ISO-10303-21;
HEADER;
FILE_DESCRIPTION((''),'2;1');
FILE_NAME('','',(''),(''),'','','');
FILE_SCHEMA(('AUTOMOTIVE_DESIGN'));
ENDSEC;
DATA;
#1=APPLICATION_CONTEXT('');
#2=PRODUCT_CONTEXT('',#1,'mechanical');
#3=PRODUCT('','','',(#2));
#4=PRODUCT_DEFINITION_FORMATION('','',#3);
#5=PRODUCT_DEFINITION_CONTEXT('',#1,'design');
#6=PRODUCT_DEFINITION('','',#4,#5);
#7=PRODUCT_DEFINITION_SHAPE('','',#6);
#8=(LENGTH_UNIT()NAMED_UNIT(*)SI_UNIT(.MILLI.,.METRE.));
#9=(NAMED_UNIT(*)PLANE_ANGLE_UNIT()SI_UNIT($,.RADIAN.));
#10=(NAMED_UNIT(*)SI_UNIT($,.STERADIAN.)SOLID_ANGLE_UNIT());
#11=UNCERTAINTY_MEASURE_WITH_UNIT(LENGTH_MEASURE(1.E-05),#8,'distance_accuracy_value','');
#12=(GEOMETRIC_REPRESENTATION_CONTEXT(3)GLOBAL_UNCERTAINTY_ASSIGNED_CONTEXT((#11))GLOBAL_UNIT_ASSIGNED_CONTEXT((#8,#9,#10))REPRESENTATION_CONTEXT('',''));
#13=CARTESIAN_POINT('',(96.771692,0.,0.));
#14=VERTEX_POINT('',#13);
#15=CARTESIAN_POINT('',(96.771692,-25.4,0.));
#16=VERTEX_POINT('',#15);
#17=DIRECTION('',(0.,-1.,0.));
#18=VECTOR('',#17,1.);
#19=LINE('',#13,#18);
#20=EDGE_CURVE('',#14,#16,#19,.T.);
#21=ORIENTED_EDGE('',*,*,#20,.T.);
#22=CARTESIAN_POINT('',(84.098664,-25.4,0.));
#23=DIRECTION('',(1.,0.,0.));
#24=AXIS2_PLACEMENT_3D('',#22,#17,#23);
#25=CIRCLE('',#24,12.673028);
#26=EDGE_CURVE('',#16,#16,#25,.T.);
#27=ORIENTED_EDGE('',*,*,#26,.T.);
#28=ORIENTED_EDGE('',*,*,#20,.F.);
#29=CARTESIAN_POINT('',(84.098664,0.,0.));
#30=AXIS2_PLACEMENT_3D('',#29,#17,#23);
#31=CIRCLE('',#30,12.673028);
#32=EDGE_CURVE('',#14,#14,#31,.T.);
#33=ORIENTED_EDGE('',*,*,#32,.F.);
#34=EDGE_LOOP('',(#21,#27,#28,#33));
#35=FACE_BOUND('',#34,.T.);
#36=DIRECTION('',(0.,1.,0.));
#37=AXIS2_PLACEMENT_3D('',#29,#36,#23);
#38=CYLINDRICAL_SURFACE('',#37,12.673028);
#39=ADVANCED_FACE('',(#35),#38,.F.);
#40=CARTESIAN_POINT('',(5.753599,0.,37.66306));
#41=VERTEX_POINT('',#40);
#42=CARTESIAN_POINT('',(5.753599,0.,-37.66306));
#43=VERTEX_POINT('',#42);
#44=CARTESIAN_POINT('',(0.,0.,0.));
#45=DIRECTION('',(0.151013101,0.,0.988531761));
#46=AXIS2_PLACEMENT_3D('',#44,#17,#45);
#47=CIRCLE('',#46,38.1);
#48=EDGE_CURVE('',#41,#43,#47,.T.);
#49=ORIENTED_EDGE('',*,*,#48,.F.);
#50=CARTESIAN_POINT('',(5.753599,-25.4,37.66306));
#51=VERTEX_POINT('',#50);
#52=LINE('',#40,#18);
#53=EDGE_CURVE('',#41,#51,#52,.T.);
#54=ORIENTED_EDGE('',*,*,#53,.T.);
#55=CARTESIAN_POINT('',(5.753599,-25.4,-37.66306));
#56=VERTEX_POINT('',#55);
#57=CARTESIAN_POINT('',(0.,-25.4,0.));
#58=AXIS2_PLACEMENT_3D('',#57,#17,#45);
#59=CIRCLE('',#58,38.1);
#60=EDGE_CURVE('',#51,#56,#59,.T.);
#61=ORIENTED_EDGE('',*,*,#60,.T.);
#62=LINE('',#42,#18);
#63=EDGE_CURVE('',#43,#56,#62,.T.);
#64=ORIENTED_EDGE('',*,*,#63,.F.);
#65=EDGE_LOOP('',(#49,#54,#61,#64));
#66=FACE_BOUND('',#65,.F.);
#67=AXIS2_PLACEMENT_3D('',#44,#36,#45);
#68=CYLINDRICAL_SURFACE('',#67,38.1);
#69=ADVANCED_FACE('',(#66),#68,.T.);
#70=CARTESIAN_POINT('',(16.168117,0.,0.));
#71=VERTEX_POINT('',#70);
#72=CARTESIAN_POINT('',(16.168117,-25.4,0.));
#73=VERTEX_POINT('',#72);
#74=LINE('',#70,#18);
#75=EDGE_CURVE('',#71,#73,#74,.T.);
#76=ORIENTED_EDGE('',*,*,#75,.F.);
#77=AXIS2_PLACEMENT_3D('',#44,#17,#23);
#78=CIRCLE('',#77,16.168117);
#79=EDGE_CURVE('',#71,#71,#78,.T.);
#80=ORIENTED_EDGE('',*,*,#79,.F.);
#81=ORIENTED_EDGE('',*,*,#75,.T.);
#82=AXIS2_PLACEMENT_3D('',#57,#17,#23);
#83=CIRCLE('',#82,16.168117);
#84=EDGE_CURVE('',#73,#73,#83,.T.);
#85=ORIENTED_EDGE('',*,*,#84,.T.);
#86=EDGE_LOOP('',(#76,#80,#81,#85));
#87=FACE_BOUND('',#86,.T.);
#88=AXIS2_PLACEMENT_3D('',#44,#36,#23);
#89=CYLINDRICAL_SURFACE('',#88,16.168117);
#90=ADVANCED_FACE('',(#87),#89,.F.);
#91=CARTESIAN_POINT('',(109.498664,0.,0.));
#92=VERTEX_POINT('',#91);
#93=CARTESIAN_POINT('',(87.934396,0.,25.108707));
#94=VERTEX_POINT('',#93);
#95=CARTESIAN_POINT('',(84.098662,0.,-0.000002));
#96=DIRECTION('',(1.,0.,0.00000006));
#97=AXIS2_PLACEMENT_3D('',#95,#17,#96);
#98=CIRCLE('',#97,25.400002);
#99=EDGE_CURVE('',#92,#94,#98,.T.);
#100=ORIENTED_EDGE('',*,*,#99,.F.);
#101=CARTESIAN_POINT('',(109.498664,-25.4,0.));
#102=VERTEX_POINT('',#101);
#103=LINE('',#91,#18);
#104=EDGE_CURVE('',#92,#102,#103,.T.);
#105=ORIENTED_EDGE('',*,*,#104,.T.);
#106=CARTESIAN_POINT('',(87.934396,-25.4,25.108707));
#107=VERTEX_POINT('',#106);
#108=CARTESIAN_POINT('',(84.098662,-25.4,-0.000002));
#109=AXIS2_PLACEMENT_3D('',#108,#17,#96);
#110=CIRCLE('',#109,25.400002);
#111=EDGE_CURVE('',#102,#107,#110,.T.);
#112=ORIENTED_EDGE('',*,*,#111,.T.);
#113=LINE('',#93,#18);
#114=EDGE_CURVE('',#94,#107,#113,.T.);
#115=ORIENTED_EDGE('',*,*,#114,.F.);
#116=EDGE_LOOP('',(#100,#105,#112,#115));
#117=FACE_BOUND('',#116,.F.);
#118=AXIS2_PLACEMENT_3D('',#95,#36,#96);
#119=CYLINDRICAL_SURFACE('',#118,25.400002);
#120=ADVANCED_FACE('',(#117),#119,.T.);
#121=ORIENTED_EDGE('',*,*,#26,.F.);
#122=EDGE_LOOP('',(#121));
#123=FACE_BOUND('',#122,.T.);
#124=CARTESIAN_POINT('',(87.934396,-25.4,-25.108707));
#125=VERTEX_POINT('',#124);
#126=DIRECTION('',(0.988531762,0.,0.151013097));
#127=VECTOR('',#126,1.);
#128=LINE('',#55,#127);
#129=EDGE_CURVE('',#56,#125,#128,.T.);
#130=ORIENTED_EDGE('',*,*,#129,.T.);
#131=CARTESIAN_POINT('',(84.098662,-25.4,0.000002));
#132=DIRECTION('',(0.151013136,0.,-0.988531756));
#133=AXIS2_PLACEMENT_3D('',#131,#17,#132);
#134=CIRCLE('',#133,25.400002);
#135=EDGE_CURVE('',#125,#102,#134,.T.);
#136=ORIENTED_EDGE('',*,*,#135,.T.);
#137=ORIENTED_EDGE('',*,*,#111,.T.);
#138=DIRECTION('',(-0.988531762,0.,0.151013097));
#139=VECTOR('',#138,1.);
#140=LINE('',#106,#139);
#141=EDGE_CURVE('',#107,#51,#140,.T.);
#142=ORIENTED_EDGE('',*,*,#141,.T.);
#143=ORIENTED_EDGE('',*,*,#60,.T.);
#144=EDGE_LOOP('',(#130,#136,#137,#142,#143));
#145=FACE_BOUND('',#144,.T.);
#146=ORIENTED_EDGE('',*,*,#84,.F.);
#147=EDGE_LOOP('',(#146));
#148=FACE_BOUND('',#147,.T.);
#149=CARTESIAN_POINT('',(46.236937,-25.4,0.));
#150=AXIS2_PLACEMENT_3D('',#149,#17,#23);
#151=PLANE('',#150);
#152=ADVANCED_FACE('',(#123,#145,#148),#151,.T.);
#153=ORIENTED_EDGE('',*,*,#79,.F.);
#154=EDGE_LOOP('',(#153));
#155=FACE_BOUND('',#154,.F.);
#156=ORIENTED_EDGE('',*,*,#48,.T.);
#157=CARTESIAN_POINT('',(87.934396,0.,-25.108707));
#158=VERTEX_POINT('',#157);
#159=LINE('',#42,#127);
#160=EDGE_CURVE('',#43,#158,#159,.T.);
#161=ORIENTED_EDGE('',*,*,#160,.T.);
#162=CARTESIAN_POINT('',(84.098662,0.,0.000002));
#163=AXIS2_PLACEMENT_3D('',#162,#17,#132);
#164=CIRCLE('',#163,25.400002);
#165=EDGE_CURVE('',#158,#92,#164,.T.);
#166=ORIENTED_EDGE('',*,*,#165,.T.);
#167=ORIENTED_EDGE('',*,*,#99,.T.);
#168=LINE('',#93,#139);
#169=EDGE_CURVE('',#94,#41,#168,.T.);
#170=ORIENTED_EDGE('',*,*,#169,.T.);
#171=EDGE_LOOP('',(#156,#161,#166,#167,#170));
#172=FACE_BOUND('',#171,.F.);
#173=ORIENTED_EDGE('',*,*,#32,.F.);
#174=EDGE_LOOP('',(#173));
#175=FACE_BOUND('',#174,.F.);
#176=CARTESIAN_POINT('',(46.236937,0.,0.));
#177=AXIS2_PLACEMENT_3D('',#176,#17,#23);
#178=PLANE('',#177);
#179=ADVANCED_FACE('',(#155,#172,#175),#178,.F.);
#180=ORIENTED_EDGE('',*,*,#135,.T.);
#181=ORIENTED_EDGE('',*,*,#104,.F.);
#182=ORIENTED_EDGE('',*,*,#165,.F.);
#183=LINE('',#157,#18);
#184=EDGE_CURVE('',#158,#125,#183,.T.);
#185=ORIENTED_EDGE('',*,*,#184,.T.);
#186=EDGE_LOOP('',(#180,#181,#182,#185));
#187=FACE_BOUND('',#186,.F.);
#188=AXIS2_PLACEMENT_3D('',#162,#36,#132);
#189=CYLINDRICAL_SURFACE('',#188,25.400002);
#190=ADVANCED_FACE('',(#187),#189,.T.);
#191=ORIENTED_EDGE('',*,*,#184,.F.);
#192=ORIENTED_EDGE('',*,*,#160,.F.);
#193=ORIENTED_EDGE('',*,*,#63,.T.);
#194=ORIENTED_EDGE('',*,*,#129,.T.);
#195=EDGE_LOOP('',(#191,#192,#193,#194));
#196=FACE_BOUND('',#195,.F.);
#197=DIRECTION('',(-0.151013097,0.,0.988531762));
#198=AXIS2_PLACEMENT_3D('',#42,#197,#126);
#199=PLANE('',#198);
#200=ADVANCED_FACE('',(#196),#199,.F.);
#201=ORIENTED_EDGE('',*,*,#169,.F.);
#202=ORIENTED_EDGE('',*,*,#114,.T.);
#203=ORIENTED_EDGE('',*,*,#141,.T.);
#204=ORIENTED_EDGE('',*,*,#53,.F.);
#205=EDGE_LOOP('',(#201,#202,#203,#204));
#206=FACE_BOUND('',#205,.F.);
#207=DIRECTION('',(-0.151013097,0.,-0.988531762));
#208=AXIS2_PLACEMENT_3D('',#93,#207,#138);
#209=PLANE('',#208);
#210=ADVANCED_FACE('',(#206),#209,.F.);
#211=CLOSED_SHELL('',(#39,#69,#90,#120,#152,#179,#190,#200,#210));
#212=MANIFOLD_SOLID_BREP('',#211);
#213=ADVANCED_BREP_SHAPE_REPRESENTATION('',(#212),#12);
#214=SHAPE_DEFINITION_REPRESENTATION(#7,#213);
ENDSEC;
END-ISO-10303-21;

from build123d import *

# Parameters (mm, degrees)
F0_R     = 12.673028
F0_R_2   = 16.168117
F1_DEPTH = 25.4


with BuildPart() as f1:
    # F0 (on Front) → F1 (new body)
    with BuildSketch(Plane.XZ):
        with BuildLine():
            ThreePointArc((5.753599, 37.66306), (28.903478, 24.823355), (38.1, 0))
            ThreePointArc((38.1, 0), (28.903478, -24.823355), (5.753599, -37.66306))
            Line((5.753599, -37.66306), (87.934396, -25.108707))
            ThreePointArc((87.934396, -25.108707), (58.698664, 0), (87.934396, 25.108707))
            Line((87.934396, 25.108707), (5.753599, 37.66306))
        make_face()
        with BuildLine():
            ThreePointArc((109.498664, 0), (103.367649, 16.548903), (87.934396, 25.108707))
            ThreePointArc((87.934396, 25.108707), (58.698664, 0), (87.934396, -25.108707))
            ThreePointArc((87.934396, -25.108707), (103.367649, -16.548903), (109.498664, 0))
        make_face()
        with Locations((84.098664, 0)):
            Circle(F0_R, mode=Mode.SUBTRACT)
        with BuildLine():
            ThreePointArc((5.753599, -37.66306), (28.903478, -24.823355), (38.1, 0))
            ThreePointArc((38.1, 0), (28.903478, 24.823355), (5.753599, 37.66306))
            ThreePointArc((5.753599, 37.66306), (-38.1, 0), (5.753599, -37.66306))
        make_face()
        Circle(F0_R_2, mode=Mode.SUBTRACT)
    extrude(amount=F1_DEPTH)


solid = f1.part
